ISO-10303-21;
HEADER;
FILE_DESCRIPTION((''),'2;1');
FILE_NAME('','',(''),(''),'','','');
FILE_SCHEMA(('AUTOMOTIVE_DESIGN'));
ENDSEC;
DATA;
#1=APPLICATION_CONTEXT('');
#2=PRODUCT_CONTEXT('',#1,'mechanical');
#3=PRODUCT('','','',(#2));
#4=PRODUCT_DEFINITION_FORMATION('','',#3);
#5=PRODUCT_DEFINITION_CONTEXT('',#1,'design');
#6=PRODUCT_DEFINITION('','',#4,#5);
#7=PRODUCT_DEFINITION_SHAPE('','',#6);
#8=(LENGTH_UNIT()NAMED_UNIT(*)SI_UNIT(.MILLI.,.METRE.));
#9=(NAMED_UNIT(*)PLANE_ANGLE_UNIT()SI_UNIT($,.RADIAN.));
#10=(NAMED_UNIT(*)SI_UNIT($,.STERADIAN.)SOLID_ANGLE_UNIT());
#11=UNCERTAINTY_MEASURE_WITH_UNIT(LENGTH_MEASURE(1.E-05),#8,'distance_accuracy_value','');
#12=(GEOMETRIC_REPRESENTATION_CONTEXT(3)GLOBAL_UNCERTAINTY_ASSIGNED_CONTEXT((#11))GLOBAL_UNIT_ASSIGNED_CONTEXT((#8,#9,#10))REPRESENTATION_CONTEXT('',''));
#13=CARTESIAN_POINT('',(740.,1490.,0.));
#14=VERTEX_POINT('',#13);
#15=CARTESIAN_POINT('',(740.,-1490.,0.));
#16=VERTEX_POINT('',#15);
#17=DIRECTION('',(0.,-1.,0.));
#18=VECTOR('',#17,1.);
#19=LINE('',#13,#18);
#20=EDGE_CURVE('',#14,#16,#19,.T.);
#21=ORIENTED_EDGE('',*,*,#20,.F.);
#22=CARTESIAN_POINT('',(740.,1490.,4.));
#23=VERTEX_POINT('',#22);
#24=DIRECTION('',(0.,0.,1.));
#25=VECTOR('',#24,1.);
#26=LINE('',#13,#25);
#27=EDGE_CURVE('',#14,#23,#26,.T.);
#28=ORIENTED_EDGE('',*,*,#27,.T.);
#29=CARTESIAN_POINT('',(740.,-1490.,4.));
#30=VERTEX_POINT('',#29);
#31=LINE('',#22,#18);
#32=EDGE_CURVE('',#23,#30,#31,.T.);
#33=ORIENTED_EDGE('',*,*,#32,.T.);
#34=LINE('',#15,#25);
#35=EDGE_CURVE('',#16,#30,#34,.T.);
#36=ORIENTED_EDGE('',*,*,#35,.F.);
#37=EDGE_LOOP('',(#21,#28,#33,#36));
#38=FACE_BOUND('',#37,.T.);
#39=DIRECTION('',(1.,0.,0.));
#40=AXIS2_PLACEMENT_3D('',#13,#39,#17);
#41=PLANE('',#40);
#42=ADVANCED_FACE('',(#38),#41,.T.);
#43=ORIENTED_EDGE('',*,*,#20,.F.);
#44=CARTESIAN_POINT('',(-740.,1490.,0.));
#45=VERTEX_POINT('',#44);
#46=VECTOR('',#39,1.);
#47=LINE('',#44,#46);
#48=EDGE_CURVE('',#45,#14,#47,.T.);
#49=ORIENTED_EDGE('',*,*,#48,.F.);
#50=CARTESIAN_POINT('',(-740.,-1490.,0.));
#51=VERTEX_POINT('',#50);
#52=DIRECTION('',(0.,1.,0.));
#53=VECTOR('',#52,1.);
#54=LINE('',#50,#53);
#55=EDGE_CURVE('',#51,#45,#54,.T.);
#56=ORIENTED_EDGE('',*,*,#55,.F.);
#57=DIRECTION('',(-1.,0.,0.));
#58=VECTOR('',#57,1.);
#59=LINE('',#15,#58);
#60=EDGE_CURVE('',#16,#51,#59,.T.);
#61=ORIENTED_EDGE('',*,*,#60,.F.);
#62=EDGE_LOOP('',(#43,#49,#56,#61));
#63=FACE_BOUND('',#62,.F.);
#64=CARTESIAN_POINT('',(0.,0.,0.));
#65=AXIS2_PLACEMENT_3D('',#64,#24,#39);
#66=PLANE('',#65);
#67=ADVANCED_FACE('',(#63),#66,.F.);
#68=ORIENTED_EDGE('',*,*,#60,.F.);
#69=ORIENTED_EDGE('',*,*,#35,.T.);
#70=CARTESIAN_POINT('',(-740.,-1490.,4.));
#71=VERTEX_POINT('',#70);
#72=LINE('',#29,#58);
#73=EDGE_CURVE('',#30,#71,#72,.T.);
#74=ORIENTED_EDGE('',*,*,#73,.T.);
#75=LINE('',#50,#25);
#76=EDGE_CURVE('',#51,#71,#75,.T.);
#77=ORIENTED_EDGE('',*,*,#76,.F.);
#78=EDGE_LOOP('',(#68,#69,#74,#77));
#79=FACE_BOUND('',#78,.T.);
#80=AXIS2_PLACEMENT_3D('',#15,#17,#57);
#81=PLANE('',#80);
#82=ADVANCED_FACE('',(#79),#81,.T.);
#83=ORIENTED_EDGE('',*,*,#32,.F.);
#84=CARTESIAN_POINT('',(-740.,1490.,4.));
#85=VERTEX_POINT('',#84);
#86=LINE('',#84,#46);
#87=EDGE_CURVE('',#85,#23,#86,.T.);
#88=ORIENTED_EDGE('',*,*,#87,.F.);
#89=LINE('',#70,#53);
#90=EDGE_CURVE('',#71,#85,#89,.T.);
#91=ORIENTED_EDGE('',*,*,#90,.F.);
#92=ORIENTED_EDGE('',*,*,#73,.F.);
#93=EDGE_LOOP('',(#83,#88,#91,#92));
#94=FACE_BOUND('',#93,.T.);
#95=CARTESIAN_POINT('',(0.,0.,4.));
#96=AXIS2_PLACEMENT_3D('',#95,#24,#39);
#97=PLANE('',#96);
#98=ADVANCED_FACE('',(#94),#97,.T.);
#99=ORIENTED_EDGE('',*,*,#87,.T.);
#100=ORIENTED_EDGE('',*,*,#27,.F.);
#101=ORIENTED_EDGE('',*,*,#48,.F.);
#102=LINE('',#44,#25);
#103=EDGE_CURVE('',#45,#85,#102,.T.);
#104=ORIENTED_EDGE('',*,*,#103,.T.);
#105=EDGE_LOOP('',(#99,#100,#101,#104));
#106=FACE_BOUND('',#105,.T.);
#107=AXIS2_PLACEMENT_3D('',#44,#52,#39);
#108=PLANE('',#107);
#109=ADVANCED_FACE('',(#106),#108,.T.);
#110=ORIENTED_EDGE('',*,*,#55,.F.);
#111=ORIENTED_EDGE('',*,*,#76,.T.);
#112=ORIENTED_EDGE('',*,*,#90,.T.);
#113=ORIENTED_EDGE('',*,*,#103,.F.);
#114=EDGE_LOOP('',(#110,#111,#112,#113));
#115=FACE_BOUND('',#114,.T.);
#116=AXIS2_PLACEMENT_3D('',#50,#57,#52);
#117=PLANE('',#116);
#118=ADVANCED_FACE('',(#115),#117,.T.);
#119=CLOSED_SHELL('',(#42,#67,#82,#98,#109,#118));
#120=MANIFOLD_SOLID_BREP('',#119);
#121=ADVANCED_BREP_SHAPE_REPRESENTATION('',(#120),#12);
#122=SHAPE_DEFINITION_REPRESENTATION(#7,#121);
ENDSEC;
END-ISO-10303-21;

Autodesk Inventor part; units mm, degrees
ref_plane "YZ Plane" through (0, 0, 0) normal (1, 0, 0) x (0, 1, 0)
ref_plane "XZ Plane" through (0, 0, 0) normal (0, 1, 0) x (-1, 0, 0)
ref_plane "XY Plane" through (0, 0, 0) normal (0, 0, 1) x (1, 0, 0)
sketch "Sketch1" plane through (0, 0, 0) normal (0, 0, 1) x (1, 0, 0)
  line L0 (740, -1490) -> (-740, -1490)
  line L1 (-740, -1490) -> (-740, 1490)
  line L2 (-740, 1490) -> (740, 1490)
  line L3 (740, 1490) -> (740, -1490)
  line L4 (740, -1490) -> (-740, 1490) construction
  line L5 (-740, -1490) -> (740, 1490) construction
  point P0 (0, 0)
  dimension "d0" = 1480
  dimension "d1" = 2980
extrude "Plate1" add sketch "Sketch1" along normal blind 4
equation "\"d0\" = Лист_ширина"
equation "\"d2\" = Thickness"
equation "\"BendRadius\" = Thickness"
equation "\"BendReliefWidth\" = Thickness"
equation "\"BendReliefDepth\" = 0.5 * Thickness"
equation "\"CornerReliefSize\" = 4 * Thickness"
equation "\"MinimumRemnant\" = 2 * Thickness"
equation "\"TransitionRadius\" = BendRadius"
equation "\"JacobiRadiusSize\" = BendRadius"
equation "\"GapSize\" = Thickness"
equation "\"Лист_ширина\" = 1480"
equation "\"Thickness\" = 4"
properties part number "GBK 2211 shield 1" material "Steel"
